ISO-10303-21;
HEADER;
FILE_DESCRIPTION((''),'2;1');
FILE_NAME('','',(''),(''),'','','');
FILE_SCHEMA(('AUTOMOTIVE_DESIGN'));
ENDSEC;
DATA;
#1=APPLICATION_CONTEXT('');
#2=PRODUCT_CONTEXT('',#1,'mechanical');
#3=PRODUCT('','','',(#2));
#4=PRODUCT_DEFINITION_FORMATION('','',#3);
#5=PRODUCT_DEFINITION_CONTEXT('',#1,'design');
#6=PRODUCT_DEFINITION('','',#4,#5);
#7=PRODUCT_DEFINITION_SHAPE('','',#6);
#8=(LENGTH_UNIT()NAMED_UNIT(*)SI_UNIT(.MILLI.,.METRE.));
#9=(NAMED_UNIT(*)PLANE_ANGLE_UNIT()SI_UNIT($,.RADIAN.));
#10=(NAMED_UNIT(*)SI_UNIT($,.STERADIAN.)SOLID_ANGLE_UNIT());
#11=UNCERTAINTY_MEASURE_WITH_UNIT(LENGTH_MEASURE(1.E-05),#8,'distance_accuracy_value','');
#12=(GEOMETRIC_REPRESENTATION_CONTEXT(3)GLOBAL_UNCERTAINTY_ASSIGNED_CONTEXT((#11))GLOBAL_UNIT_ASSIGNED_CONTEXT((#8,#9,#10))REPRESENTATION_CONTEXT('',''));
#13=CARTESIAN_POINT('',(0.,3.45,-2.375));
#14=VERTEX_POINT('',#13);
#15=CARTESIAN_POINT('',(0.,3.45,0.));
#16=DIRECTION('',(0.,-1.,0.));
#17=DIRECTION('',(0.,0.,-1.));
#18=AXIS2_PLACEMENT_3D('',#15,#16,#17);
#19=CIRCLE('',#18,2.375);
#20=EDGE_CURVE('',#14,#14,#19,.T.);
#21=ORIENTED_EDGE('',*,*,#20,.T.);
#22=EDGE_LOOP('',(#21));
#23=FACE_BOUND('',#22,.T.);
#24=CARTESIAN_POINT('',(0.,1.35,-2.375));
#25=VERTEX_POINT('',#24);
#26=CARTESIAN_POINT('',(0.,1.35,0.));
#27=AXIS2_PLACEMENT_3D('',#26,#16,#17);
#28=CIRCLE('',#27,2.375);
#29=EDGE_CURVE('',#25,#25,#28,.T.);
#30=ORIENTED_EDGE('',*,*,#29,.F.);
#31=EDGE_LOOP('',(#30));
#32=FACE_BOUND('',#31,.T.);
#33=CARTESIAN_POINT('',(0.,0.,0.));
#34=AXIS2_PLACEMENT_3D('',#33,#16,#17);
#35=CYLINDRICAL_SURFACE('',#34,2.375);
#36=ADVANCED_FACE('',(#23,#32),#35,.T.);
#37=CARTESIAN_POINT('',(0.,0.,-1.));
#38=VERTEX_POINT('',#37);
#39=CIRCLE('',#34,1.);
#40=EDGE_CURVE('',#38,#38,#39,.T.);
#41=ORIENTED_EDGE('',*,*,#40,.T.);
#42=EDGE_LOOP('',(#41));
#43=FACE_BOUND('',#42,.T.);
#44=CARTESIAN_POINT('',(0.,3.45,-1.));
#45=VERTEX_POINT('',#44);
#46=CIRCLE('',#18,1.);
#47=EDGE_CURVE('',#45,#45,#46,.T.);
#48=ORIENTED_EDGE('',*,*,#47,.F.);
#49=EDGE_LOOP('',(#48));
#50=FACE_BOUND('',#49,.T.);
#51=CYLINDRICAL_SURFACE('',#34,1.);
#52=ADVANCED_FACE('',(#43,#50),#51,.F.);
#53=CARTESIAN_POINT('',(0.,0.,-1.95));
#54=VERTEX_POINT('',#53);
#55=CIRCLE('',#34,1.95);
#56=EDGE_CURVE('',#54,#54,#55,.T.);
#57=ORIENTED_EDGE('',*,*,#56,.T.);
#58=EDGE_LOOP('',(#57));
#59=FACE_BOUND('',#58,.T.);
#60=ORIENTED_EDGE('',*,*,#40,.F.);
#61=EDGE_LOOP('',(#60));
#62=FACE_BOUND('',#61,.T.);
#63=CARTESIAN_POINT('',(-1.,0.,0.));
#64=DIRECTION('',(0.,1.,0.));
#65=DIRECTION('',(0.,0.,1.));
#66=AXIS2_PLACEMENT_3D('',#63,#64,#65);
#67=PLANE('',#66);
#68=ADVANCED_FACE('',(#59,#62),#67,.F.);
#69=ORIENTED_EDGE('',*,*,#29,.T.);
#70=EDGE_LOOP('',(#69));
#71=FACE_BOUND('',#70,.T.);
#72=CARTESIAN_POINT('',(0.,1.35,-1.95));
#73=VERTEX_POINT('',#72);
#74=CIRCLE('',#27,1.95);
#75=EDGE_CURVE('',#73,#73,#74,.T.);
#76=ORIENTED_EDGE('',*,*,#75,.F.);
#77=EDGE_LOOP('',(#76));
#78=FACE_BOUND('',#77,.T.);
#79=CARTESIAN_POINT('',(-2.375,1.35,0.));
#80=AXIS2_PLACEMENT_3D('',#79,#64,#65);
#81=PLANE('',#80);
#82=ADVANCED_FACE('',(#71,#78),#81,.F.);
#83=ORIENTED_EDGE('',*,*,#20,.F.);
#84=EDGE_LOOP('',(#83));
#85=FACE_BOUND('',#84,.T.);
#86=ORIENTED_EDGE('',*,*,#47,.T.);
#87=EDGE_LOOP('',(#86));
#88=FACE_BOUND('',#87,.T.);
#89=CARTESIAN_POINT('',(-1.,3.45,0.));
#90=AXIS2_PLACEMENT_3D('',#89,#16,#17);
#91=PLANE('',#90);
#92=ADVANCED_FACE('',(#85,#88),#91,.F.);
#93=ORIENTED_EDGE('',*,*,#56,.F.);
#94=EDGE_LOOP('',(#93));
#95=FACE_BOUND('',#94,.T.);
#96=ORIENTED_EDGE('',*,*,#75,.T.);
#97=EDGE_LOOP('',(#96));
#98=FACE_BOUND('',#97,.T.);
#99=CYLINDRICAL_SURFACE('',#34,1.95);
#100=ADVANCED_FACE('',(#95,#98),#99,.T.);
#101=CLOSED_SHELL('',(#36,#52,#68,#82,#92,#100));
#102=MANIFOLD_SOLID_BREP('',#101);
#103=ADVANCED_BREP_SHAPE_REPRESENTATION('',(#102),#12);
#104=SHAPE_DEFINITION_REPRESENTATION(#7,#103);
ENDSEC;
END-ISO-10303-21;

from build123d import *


with BuildPart() as part:
    # Sketch1 → Revolve1 (revolve)
    with BuildSketch(Plane.XY, mode=Mode.PRIVATE) as revolve1_sk:
        Polygon((-1, 0), (-1.95, 0), (-1.95, 1.35), (-2.375, 1.35), (-2.375, 3.45), (-1, 3.45), align=None)
    revolve(revolve1_sk.sketch.rotate(Axis((0, 0, 0), (0, 1, 0)), 270), axis=Axis((0, 0, 0), (0, 1, 0)))


solid = part.part
